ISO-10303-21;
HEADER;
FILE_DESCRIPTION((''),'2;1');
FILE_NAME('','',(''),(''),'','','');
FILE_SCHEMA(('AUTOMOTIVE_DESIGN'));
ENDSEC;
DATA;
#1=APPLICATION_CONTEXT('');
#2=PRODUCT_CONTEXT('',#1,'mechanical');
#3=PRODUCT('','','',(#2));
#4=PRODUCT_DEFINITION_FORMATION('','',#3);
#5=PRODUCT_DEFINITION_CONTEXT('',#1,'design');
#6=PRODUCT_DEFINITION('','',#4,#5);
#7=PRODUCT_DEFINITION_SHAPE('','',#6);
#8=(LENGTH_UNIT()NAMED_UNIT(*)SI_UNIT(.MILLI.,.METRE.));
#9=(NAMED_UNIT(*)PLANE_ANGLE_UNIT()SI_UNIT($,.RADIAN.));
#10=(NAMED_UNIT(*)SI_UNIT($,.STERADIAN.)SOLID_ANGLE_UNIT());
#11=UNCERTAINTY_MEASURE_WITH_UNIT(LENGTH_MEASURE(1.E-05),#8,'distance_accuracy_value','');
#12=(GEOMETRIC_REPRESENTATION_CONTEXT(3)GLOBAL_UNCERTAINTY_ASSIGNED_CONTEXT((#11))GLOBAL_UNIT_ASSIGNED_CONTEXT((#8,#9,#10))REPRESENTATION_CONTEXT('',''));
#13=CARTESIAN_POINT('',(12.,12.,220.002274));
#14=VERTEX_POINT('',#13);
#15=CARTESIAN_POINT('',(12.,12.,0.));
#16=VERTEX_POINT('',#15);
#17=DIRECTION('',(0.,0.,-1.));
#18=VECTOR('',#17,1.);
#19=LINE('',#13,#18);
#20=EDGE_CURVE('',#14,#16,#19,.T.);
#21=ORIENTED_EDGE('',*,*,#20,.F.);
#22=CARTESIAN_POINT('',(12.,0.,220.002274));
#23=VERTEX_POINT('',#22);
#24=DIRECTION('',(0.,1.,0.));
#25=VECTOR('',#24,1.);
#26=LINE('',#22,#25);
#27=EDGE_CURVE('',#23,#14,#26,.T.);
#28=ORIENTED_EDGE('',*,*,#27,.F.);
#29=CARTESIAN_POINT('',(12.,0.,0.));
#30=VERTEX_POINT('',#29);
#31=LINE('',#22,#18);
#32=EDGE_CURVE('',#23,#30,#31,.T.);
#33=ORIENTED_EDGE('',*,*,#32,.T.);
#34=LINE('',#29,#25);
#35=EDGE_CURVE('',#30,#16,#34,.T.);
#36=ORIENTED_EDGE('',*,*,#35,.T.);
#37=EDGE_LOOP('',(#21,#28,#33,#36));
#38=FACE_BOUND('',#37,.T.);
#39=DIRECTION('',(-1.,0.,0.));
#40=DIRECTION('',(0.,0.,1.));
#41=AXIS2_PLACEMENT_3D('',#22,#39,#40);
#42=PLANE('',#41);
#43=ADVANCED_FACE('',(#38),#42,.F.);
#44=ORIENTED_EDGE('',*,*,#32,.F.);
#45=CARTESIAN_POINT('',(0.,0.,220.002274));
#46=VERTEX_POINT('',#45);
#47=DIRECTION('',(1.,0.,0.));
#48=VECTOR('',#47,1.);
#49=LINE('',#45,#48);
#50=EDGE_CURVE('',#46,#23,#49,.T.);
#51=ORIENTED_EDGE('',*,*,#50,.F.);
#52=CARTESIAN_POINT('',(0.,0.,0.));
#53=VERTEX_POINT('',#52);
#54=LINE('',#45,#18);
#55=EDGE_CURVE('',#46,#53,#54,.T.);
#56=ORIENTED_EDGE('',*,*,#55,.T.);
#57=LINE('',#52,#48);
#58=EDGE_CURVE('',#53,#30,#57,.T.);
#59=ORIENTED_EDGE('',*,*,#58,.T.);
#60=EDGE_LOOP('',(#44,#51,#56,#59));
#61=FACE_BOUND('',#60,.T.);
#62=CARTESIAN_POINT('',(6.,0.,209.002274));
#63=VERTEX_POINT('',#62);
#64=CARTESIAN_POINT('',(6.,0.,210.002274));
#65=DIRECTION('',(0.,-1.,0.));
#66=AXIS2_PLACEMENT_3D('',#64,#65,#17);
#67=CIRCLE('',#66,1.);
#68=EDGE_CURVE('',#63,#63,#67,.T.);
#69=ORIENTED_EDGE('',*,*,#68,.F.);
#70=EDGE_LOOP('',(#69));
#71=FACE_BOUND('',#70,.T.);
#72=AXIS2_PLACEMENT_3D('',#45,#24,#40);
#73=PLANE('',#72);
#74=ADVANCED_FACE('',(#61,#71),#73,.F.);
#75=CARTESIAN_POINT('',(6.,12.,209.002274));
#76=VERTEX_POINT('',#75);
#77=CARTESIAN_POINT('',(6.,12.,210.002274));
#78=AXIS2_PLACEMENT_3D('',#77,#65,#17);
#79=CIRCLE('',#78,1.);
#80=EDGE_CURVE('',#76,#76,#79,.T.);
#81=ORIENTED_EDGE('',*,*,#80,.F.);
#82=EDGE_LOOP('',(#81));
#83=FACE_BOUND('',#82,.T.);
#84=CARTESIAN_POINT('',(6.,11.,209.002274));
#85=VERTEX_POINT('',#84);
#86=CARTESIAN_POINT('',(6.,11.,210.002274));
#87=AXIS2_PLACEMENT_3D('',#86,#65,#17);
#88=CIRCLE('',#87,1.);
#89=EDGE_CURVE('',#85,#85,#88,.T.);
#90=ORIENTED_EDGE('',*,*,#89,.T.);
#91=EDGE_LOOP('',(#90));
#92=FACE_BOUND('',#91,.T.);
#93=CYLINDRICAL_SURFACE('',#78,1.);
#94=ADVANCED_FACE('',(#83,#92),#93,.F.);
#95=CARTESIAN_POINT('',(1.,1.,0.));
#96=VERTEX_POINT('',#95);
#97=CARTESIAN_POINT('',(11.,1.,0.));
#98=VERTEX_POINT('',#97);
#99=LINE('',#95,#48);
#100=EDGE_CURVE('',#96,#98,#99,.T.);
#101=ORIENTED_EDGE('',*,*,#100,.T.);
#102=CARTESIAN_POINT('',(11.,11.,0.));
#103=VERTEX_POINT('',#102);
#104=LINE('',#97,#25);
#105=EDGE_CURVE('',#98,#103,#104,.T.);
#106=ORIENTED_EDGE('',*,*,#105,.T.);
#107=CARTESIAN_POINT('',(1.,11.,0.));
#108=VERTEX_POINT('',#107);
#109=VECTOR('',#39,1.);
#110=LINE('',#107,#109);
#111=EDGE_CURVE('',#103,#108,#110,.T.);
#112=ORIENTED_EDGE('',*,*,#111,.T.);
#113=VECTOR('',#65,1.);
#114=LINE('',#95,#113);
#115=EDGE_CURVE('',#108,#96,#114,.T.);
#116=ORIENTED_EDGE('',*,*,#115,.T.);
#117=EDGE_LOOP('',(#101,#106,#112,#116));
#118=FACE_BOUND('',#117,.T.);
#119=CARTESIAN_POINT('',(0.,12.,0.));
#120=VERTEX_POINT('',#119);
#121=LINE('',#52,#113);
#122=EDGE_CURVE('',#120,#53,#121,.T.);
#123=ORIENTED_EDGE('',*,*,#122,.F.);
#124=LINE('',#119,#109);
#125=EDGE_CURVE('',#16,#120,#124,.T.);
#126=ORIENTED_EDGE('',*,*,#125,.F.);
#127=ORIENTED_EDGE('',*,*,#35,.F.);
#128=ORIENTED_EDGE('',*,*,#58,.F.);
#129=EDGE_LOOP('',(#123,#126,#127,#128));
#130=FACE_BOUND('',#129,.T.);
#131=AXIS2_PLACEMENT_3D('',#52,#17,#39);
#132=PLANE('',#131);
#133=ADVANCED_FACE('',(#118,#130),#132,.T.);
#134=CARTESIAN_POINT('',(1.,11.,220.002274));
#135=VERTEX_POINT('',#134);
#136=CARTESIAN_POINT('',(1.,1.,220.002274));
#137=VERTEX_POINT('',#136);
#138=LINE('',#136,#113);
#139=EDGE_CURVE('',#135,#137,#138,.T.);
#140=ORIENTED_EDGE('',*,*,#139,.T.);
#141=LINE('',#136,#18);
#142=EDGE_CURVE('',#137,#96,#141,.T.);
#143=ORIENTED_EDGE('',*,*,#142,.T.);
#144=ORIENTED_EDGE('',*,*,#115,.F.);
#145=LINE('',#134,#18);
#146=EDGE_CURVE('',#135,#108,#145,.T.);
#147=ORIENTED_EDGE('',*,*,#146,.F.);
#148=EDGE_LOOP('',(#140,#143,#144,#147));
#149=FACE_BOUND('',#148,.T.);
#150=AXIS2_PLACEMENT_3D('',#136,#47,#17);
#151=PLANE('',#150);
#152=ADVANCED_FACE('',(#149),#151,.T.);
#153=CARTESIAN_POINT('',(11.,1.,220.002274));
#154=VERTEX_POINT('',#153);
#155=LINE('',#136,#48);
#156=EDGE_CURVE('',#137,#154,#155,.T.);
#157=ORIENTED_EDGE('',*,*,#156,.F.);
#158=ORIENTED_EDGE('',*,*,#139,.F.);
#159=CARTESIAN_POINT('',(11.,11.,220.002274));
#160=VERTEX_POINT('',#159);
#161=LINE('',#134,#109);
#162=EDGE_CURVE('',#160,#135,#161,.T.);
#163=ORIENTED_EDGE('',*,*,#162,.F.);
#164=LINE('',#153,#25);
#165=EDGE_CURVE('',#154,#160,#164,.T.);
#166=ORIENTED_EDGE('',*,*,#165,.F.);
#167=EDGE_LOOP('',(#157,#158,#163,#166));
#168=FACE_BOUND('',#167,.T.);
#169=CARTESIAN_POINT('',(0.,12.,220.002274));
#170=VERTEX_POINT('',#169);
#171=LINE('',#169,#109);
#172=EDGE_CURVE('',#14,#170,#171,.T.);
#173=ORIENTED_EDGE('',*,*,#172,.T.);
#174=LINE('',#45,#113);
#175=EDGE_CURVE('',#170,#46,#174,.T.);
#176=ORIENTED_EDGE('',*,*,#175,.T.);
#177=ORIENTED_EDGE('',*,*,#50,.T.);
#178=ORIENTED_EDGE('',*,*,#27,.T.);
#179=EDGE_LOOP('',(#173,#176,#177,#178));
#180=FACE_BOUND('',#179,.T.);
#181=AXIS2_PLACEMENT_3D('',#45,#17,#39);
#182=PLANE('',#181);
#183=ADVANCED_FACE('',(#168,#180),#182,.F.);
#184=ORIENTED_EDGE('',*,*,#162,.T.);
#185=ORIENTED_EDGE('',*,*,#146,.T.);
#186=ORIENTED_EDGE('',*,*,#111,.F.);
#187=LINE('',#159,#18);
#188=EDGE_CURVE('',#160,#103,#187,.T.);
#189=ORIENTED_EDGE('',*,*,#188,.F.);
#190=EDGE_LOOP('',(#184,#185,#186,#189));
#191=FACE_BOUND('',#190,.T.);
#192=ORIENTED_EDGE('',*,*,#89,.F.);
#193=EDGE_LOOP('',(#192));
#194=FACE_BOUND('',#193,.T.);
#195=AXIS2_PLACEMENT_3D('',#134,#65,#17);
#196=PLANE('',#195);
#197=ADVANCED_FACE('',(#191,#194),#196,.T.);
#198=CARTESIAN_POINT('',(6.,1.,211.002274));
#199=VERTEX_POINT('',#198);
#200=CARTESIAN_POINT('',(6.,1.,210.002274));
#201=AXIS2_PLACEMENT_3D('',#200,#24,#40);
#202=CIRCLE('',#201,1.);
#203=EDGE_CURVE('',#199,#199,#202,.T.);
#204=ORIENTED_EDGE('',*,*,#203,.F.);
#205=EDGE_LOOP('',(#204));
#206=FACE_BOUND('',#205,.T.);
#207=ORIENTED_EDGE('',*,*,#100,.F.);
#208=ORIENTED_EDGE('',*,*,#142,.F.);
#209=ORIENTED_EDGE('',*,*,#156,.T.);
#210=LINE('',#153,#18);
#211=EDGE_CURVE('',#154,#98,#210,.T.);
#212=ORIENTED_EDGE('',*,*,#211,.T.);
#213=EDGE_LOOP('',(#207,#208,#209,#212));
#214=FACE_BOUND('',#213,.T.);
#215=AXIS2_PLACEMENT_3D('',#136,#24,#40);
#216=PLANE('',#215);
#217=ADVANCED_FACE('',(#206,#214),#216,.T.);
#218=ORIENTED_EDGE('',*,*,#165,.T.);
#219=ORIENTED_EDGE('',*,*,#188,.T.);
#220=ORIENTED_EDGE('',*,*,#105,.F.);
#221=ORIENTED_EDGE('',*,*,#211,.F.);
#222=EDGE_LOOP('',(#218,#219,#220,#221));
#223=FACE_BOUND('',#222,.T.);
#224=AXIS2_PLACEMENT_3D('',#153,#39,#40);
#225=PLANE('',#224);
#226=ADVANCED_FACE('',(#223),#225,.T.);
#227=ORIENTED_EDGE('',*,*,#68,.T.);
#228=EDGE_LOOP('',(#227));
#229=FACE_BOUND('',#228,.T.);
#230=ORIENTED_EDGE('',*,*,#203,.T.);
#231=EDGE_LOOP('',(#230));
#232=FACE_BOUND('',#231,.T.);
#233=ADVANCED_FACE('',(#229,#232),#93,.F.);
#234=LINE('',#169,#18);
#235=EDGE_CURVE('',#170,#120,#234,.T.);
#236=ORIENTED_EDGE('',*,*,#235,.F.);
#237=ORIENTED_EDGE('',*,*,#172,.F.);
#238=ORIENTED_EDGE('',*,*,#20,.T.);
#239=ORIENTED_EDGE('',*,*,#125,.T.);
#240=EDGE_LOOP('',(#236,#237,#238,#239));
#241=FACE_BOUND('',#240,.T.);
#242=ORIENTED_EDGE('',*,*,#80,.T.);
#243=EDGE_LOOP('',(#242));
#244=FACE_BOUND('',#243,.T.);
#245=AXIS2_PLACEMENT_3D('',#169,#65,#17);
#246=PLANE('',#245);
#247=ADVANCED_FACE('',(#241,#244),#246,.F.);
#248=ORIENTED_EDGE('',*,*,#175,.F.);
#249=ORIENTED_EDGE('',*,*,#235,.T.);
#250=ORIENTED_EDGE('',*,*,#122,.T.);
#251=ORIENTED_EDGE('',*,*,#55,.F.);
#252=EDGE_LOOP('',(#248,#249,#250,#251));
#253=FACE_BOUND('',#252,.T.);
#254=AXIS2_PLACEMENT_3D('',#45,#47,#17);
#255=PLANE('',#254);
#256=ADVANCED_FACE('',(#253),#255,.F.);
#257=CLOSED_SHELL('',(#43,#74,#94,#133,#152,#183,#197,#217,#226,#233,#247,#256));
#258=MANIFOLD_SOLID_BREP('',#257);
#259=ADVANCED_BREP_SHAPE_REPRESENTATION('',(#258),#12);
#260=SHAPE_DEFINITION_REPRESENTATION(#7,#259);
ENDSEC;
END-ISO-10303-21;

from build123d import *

# Parameters (mm, degrees)
SKETCH_1_W          = 12
SKETCH_1_H          = 12
SKETCH_1_W_2        = 10
SKETCH_1_H_2        = 10
EXTRUDE_1_DEPTH     = 220.00227405
SKETCH_2_R          = 1
CUT_EXTRUDE_1_DEPTH = 12


with BuildPart() as part:
    # 草图1 → 凸台-拉伸1 (new body)
    with BuildSketch(Plane.XY):
        with Locations((6, 6)):
            Rectangle(SKETCH_1_W, SKETCH_1_H)
        with Locations((6, 6)):
            Rectangle(SKETCH_1_W_2, SKETCH_1_H_2, mode=Mode.SUBTRACT)
    extrude(amount=EXTRUDE_1_DEPTH)

    # 草图2 → 切除-拉伸1 (cut)
    with BuildSketch(Plane.XZ):
        with Locations(Location((6, 210.00227405, 0), (0, 0, 270))):
            Circle(SKETCH_2_R)
    extrude(amount=-CUT_EXTRUDE_1_DEPTH, mode=Mode.SUBTRACT)


solid = part.part
